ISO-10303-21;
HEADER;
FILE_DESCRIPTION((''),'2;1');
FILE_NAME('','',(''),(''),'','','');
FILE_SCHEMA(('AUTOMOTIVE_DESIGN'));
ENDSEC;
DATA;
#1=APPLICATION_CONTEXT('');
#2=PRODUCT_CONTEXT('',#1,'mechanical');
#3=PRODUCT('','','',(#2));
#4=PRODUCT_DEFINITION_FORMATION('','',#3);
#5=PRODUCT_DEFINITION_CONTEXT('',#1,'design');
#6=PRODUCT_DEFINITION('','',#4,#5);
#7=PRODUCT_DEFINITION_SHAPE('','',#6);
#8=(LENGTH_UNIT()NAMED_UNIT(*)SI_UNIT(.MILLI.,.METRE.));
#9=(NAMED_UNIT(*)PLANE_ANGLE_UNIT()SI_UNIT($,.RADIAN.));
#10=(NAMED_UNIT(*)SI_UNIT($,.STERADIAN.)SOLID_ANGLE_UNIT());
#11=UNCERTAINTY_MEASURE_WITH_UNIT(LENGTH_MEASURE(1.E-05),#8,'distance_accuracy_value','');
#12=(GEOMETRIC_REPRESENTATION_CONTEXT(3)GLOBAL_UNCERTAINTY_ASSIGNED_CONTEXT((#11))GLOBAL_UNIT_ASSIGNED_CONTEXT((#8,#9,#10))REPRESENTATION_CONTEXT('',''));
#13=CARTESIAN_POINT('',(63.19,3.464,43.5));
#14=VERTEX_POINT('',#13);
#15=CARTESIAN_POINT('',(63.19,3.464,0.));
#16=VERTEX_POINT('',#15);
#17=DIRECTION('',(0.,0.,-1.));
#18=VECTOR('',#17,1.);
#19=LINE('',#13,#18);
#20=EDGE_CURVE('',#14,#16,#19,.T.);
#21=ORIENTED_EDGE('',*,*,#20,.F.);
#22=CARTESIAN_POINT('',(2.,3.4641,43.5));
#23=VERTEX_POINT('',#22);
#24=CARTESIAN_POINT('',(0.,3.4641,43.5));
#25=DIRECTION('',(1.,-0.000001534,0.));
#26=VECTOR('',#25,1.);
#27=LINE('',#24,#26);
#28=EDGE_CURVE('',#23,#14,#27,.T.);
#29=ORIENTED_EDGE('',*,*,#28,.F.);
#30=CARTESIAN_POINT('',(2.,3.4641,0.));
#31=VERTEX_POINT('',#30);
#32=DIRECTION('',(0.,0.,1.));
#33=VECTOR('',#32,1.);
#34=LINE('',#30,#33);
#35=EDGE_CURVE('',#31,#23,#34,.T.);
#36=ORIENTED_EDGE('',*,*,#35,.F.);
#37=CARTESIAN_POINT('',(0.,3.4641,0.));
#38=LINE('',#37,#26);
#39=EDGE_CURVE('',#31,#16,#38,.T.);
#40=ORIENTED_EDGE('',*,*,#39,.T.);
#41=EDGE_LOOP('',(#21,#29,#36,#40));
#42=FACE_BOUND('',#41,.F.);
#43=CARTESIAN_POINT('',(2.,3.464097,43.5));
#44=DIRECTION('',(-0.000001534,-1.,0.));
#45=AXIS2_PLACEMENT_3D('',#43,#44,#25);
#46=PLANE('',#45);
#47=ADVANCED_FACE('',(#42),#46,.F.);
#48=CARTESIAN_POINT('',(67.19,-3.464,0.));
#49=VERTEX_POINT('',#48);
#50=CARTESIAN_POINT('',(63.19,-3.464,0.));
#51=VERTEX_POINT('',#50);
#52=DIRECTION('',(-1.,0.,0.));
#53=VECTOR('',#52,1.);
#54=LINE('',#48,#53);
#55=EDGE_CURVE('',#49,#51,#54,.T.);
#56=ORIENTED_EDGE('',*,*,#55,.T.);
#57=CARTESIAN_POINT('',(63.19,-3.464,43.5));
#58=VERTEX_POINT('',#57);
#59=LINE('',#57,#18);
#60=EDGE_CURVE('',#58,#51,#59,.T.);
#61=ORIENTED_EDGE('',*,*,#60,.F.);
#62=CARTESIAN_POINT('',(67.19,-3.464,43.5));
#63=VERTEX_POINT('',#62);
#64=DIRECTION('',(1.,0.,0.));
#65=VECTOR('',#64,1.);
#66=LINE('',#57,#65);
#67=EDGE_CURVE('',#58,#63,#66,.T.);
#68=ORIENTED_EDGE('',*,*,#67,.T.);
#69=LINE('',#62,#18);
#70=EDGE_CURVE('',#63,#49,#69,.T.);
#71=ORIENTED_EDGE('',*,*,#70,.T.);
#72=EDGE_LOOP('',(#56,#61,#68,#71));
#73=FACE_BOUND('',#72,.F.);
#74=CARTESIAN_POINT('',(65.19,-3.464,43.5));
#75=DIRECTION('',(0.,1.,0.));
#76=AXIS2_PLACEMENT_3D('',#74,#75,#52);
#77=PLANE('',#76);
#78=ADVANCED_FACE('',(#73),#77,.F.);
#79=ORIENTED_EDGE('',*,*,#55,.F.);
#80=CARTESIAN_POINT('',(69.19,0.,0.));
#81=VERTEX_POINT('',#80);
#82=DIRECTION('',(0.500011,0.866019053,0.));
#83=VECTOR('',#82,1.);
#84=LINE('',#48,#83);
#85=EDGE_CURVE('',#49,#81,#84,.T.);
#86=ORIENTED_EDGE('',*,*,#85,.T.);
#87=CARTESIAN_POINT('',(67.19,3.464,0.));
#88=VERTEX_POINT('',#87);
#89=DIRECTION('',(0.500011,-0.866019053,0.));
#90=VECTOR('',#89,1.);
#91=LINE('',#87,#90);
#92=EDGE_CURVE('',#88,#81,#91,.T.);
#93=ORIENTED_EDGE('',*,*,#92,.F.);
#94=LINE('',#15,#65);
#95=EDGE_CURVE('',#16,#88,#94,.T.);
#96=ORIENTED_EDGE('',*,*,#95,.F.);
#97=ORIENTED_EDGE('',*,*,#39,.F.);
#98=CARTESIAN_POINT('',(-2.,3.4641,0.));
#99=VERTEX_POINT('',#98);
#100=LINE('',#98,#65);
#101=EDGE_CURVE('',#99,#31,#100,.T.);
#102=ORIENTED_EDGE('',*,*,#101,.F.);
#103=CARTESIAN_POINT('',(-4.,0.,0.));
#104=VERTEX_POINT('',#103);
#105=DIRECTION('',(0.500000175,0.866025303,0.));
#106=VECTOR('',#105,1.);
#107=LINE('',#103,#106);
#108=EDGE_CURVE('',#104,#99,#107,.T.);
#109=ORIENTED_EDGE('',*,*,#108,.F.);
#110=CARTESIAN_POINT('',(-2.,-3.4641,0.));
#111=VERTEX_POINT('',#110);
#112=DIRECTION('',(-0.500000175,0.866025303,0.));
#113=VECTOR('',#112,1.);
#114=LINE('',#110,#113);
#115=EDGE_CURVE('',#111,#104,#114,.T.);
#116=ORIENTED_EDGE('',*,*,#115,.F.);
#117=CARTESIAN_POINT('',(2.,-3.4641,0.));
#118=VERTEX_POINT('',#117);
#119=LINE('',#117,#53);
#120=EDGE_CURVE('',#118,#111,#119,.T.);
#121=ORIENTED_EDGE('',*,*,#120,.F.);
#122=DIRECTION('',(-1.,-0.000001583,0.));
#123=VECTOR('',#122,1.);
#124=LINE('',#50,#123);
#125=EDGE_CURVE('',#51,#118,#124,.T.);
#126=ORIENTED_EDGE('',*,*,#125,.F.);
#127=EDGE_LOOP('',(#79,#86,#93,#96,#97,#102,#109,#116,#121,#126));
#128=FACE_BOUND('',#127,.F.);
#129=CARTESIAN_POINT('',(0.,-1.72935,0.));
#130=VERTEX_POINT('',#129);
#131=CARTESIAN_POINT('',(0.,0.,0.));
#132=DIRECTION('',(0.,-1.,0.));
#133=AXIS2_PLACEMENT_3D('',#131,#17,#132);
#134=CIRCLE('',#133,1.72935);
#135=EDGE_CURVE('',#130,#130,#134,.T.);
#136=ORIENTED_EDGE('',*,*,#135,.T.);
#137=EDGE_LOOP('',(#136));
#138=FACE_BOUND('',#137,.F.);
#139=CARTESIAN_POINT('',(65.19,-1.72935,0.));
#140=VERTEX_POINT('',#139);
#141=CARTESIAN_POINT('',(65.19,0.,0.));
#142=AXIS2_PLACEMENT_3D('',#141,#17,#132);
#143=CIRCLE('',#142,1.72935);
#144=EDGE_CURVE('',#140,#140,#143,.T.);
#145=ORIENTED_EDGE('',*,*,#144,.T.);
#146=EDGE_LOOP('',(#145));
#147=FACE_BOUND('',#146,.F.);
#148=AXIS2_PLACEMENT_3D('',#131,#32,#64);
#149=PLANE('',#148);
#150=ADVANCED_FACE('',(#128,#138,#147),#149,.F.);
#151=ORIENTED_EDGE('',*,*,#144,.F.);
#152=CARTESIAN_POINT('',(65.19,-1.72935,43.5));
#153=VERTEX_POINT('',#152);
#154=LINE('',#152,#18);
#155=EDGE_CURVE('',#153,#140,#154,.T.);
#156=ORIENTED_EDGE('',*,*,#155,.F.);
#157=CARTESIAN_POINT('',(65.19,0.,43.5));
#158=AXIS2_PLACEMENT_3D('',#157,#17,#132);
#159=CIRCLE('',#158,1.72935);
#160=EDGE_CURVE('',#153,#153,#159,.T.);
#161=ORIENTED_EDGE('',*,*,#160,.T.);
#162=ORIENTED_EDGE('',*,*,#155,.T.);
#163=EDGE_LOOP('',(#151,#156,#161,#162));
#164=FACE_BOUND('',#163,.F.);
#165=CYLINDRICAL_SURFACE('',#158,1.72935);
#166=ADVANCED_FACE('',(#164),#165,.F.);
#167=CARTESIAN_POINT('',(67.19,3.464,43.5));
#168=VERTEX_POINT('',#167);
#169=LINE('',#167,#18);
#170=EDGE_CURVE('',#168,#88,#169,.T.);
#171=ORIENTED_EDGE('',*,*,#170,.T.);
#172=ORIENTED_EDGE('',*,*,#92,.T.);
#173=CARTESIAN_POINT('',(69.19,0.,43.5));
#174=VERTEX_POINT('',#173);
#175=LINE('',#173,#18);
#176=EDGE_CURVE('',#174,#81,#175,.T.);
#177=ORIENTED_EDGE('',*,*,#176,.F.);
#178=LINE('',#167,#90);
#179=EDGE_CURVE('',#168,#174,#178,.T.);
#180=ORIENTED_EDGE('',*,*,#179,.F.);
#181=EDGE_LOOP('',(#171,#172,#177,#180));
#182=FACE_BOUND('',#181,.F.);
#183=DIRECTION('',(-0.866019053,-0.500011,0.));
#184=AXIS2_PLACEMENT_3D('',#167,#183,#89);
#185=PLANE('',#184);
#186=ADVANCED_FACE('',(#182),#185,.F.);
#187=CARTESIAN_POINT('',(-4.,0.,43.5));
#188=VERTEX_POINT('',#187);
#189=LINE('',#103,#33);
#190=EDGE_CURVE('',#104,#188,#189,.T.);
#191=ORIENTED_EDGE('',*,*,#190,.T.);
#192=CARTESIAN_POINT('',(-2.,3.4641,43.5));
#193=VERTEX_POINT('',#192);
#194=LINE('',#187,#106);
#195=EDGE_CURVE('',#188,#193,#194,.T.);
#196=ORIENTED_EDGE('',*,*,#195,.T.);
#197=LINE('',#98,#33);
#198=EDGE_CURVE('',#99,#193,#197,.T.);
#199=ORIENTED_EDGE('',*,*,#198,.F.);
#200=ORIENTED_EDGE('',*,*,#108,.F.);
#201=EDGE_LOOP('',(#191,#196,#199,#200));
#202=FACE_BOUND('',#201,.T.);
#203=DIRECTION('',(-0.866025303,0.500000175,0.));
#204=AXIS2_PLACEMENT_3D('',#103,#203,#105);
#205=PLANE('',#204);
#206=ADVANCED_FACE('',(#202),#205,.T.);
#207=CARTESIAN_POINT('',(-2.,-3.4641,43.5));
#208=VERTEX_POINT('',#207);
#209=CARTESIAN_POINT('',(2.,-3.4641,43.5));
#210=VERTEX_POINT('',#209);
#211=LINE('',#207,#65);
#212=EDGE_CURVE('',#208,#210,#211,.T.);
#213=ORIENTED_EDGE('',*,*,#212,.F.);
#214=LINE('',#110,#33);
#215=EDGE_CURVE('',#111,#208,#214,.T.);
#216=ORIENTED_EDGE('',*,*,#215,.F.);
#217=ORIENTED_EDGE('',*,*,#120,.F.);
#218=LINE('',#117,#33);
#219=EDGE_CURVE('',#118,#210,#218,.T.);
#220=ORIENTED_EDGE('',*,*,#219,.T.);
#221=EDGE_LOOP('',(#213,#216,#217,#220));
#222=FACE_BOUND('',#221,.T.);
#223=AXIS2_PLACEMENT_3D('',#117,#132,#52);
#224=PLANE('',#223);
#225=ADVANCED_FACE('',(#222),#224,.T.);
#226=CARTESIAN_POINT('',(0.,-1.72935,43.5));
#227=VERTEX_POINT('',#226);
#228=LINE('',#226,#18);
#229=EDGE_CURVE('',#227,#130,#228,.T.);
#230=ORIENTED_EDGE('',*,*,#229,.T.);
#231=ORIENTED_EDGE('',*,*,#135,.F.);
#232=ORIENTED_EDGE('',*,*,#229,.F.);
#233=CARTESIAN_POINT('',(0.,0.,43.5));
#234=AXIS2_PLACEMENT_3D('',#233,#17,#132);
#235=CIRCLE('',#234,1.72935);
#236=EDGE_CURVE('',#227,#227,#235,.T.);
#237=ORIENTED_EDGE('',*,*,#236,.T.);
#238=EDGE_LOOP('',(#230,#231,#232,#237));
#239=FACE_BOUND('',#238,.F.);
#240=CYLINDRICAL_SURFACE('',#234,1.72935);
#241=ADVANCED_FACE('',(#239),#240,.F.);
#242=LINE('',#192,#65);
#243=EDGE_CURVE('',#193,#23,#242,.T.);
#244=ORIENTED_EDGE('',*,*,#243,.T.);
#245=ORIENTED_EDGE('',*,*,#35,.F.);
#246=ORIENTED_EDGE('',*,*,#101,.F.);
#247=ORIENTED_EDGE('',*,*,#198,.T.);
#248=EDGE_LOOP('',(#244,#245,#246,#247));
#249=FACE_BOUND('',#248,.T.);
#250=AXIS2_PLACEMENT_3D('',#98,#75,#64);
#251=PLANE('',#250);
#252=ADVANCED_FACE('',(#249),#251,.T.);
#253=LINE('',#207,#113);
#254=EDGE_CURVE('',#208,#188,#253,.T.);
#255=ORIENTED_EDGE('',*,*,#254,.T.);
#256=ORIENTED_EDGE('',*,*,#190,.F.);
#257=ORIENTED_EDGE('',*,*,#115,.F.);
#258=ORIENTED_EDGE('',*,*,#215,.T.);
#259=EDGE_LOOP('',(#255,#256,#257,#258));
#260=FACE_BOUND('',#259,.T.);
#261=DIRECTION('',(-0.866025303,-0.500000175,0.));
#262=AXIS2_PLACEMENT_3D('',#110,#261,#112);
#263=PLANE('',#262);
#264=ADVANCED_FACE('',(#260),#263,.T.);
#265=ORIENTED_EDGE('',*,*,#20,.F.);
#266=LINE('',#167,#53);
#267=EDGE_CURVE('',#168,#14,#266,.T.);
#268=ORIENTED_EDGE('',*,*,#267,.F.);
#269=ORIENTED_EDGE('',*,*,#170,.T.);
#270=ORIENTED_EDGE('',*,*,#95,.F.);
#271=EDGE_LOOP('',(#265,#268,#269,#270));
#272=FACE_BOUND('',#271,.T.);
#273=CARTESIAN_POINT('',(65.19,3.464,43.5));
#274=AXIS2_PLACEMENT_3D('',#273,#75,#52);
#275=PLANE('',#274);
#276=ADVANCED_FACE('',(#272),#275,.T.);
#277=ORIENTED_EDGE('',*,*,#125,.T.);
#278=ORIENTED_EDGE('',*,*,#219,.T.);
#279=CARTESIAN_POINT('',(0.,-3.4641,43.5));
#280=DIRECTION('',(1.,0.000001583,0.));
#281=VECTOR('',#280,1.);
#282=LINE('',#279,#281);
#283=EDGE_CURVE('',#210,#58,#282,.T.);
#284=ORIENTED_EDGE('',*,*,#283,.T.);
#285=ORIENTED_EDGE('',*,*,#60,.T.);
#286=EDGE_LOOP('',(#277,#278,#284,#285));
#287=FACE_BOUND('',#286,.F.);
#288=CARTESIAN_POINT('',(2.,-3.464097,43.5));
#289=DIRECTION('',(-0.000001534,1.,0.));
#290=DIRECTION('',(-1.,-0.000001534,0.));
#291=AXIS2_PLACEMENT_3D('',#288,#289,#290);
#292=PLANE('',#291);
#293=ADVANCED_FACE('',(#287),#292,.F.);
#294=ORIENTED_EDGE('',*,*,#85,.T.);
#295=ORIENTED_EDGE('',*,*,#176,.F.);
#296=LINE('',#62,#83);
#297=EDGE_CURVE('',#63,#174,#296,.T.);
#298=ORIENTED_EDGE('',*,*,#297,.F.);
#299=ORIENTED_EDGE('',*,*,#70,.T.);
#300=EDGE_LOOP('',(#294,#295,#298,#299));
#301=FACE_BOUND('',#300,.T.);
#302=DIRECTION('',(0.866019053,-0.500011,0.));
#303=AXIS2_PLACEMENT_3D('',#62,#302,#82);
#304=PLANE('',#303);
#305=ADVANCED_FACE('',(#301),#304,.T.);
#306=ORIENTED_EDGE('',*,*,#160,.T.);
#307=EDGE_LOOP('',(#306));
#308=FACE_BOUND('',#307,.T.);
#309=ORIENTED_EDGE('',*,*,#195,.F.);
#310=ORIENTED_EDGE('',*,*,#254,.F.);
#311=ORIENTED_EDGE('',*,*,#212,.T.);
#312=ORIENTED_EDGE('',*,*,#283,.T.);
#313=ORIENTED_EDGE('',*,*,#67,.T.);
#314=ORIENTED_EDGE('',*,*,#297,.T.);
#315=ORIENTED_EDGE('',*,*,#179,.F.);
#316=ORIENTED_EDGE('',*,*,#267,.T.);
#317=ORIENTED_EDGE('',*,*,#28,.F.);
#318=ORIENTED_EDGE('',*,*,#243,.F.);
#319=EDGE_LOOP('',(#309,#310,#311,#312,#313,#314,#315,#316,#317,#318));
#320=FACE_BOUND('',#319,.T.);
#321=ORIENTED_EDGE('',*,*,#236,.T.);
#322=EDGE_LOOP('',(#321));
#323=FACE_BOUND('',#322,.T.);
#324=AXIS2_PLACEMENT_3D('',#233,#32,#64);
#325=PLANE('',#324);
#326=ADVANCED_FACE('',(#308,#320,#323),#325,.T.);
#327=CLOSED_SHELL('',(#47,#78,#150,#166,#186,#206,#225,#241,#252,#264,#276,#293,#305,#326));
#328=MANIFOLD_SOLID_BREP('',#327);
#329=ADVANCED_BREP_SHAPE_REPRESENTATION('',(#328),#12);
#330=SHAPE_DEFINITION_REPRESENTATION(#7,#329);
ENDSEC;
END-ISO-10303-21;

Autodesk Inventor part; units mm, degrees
sketch "Sketch2" plane through (0, 0, 0) normal (0, 0, 1) x (1, 0, 0)
  line L0 (0, 2.8582) -> (0, -2.8582) construction
  line L1 (-5.7775, 0) -> (5.7775, 0) construction
  line L2 (0, 0) -> (4, 0)
  line L3 (4, 0) -> (-4, 0)
  circle A0 centre (0, 0) radius 4
  line L4 (0, 0) -> (-2, 3.4641)
  line L5 (0, 0) -> (4, 0) construction
  line L6 (0, 0) -> (2, 3.4641)
  line L7 (0, 0) -> (4, 0) construction
  line L8 (0, 0) -> (4, 0)
  line L9 (0, 0) -> (2, -3.4641)
  line L10 (0, 0) -> (-2, -3.4641)
  line L11 (-2, 3.4641) -> (2, 3.4641)
  line L12 (2, 3.4641) -> (4, 0)
  line L13 (4, 0) -> (2, -3.4641)
  line L14 (2, -3.4641) -> (-2, -3.4641)
  line L15 (-2, -3.4641) -> (-4, 0)
  line L16 (-4, 0) -> (-2, 3.4641)
  dimension "d3" = 4
  dimension "d2" = 8
  dimension "d1" = 120
  dimension "d0" = 60
extrude "Extrusion1" add sketch "Sketch2" along normal blind 43.5 contours L6 L12 L2 | L10 L15 L3 | L3 L16 L4 | L4 L11 L6 | L2 L13 L9 | L9 L14 L10
sketch "Sketch3" plane through (0, 0, 43.5) normal (0, 0, 1) x (1, 0, 0)
  point P0 (0, 0)
  point P1 (0, 0)
hole "Hole1" at (0, 0, 43.5) direction (0, 0, -1) diameter 3.4587 depth 44 thread size "M4x0.5" class "6H" standard "ISO Metric profile"
sketch "Sketch5" plane through (0, 0, 43.5) normal (0, 0, 1) x (1, 0, 0)
  line L0 (0, 0) -> (65.19, 0)
  line L1 (65.19, 0) -> (69.19, 0)
  line L2 (65.19, 0) -> (65.19, 3.464)
  line L3 (65.19, 3.464) -> (67.19, 3.464)
  line L4 (67.19, 3.464) -> (69.19, 0)
  line L5 (65.19, 3.464) -> (63.19, 3.464)
  line L6 (65.19, 0) -> (61.19, 0)
  line L7 (61.19, 0) -> (63.19, 3.464)
  line L8 (65.19, 0) -> (65.19, -3.464)
  line L9 (65.19, -3.464) -> (67.19, -3.464)
  line L10 (67.19, -3.464) -> (69.19, 0)
  line L11 (65.19, -3.464) -> (63.19, -3.464)
  line L12 (63.19, -3.464) -> (61.19, 0)
  line L13 (2, 3.4641) -> (-2, 3.4641) projected
  line L14 (0, 3.4641) -> (65.19, 3.464)
  line L15 (65.19, -3.464) -> (0, -3.4641)
  line L16 (-2, -3.4641) -> (2, -3.4641) projected
  line L17 (4, 0) -> (2, 3.4641) projected
  line L18 (0, 3.4641) -> (4, 0)
  line L19 (4, 0) -> (0, -3.4641)
  point P0 (2, 3.4641)
  dimension "d21" = 65.19
  dimension "d22" = 4
  dimension "d23" = 3.464
  dimension "d24" = 2
  dimension "d25" = 2
  dimension "d26" = 4
  dimension "d27" = 3.464
  dimension "d28" = 2
  dimension "d29" = 2
extrude "Extrusion2" add sketch "Sketch5" against normal blind 43.5 contours L17 L14 L7 L0 | L0 L12 L15 L19 | L7 L5 L2 L0 | L0 L8 L11 L12 | L2 L3 L4 L1 | L1 L10 L9 L8
sketch "Sketch6" plane through (0, 0, 43.5) normal (0, 0, 1) x (1, 0, 0)
  line L0 (0, 0) -> (65.19, 0)
  dimension "d32" = 65.19
hole "Hole3" at (65.19, 0, 43.5) direction (0, 0, -1) diameter 3.4587 depth 44 thread size "M4x0.5" class "6H" standard "ISO Metric profile"
properties part number "Steunstuk lang" material "S235"
